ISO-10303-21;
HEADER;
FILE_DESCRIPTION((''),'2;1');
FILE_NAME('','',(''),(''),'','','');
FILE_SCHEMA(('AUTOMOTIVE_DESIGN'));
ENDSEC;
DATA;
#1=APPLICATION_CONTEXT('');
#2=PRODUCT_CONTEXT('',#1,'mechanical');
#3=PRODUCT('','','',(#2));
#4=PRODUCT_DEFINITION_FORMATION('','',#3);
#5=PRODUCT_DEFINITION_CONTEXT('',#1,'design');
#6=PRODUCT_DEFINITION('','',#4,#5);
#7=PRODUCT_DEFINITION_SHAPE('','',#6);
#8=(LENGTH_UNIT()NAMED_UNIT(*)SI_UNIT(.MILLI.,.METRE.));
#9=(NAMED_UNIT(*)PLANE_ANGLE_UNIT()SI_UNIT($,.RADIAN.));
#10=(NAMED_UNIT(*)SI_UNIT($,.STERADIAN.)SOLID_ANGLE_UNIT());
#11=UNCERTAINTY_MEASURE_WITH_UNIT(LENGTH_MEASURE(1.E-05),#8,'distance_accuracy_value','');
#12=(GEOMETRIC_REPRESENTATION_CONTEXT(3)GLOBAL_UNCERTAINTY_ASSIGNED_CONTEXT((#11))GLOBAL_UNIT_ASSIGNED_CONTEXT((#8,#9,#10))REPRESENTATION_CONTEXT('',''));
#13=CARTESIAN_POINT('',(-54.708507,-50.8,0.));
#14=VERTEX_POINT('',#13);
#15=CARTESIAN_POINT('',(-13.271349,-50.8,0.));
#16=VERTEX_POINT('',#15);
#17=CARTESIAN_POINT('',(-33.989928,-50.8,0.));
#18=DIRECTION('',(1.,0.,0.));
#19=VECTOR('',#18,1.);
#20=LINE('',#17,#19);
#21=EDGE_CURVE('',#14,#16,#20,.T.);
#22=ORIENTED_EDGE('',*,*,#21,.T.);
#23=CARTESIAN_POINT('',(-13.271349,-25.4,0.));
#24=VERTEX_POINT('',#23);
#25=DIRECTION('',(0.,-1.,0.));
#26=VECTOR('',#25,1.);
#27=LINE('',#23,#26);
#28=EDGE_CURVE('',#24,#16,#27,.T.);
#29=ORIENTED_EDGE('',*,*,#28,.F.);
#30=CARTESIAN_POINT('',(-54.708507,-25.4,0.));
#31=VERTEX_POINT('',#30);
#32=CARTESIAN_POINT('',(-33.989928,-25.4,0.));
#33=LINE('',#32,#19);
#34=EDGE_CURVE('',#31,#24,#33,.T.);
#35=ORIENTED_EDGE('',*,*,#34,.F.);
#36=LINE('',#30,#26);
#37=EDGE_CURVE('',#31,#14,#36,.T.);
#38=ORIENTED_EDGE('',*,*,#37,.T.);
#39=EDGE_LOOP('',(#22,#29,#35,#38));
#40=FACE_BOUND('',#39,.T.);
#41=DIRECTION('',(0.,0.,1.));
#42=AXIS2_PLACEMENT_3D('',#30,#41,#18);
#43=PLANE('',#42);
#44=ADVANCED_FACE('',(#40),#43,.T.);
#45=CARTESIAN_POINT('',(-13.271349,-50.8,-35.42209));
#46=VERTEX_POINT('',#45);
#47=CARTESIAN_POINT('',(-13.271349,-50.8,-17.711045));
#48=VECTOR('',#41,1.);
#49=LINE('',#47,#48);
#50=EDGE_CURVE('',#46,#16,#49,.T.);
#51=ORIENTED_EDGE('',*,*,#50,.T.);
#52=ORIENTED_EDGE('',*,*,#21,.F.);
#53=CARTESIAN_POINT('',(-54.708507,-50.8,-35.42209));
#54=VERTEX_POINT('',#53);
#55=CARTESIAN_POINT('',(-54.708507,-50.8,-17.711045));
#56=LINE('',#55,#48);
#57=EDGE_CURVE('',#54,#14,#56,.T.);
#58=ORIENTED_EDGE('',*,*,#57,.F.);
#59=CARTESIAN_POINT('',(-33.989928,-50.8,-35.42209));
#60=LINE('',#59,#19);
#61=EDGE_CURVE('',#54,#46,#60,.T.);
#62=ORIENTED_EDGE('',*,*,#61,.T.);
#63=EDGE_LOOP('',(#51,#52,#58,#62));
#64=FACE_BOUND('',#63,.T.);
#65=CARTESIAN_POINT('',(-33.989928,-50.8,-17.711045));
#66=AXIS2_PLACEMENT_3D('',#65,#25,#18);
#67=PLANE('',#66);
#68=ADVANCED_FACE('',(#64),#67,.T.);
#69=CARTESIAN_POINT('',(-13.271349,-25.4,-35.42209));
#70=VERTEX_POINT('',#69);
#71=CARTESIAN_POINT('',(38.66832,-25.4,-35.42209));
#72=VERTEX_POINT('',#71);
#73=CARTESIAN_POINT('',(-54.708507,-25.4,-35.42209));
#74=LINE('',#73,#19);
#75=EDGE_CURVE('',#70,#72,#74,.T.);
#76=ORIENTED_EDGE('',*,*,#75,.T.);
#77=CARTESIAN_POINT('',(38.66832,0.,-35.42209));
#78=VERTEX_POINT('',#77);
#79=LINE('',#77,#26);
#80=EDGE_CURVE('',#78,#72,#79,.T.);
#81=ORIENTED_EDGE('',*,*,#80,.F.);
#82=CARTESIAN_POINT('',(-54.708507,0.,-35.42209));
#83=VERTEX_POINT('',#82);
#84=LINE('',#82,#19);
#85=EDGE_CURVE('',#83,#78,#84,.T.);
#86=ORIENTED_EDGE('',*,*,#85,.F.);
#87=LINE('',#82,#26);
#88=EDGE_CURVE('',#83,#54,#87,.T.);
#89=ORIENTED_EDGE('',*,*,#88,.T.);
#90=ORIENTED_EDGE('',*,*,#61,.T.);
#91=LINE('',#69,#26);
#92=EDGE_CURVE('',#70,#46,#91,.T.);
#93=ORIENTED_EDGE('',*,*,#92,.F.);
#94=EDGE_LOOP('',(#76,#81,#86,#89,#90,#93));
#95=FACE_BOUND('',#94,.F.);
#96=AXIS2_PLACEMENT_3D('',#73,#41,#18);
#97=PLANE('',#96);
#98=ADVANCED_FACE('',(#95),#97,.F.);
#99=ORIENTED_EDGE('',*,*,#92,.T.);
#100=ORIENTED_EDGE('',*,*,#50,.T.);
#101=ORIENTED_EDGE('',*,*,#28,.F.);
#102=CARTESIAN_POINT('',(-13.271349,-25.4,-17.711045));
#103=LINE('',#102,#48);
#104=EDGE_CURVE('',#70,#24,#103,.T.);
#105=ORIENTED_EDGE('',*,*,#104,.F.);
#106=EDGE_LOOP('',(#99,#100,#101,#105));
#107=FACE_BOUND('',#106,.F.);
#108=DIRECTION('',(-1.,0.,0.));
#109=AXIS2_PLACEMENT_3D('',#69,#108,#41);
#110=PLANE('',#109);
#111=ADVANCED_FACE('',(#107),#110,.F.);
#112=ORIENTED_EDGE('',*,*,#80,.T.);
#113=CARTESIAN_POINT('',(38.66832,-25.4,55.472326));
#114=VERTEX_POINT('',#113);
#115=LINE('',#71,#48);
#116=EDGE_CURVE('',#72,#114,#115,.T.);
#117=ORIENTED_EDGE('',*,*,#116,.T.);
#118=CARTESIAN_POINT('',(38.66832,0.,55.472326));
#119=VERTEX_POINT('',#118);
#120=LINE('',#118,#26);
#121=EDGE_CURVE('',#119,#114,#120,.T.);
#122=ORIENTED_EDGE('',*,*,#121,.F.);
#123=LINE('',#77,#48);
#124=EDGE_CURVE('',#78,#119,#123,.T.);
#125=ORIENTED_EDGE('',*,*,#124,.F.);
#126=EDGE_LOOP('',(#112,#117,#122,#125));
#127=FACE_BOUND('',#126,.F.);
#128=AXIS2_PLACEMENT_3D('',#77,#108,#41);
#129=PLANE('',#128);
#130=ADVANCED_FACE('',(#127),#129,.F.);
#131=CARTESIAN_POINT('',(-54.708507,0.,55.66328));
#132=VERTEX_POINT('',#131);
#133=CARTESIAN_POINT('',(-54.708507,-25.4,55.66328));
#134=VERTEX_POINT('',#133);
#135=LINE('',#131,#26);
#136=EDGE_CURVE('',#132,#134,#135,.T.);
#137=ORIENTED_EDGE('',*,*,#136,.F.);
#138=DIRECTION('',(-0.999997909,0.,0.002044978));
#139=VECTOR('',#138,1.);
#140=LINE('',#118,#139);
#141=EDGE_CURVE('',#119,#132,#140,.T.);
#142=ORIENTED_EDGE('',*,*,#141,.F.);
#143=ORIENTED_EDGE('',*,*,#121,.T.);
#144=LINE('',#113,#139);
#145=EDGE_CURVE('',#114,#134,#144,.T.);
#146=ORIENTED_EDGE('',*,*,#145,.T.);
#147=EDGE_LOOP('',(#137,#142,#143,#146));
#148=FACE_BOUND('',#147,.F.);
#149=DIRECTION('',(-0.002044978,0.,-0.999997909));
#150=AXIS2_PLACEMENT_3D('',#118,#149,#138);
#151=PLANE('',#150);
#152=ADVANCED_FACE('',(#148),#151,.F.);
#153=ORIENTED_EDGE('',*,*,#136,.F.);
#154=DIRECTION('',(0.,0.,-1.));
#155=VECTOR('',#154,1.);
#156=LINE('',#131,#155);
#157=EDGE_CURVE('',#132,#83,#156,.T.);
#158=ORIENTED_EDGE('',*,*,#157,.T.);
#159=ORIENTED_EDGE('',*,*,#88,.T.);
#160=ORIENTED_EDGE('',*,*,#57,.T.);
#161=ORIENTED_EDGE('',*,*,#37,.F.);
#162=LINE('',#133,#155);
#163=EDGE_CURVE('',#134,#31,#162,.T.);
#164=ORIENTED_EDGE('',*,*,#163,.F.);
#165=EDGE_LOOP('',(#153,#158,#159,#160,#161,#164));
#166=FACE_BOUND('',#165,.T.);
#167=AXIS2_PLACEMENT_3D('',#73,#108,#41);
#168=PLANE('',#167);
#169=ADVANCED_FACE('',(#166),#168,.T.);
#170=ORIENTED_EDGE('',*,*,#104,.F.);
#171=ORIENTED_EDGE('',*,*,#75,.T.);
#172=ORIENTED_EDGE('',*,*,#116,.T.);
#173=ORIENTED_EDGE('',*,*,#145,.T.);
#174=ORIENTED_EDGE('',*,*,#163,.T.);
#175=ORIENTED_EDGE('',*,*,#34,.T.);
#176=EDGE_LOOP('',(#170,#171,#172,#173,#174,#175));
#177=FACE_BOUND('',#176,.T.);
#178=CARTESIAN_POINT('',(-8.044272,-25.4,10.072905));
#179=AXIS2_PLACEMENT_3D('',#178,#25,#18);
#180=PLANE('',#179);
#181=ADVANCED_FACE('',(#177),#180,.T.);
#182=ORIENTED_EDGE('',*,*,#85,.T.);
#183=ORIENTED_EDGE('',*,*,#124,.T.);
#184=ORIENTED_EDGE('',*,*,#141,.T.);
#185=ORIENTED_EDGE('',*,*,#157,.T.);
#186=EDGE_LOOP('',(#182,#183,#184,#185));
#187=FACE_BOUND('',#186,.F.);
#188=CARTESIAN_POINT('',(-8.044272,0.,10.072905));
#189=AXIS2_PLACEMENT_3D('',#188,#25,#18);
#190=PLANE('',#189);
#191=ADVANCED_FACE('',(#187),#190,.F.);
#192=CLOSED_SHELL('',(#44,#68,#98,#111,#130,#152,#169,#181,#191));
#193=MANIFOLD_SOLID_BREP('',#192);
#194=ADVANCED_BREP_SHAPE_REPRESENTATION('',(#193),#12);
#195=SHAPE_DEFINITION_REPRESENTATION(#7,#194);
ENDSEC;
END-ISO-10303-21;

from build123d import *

# Parameters (mm, degrees)
F1_DEPTH = 25.4
F2_W     = 41.437158
F2_H     = 35.42209
F3_DEPTH = 25.4


with BuildPart() as f1:
    # F0 (on Front) → F1 (new body)
    with BuildSketch(Plane.XZ):
        Polygon((38.66832, 55.472326), (-54.708507, 55.66328), (-54.708507, -35.42209), (38.66832, -35.42209), align=None)
    extrude(amount=F1_DEPTH)

    # F2 (on face) → F3 (join)
    with BuildSketch(Plane.XZ.offset(25.4)):
        with Locations((-33.989928, -17.711045)):
            Rectangle(F2_W, F2_H)
    extrude(amount=F3_DEPTH)


solid = f1.part
